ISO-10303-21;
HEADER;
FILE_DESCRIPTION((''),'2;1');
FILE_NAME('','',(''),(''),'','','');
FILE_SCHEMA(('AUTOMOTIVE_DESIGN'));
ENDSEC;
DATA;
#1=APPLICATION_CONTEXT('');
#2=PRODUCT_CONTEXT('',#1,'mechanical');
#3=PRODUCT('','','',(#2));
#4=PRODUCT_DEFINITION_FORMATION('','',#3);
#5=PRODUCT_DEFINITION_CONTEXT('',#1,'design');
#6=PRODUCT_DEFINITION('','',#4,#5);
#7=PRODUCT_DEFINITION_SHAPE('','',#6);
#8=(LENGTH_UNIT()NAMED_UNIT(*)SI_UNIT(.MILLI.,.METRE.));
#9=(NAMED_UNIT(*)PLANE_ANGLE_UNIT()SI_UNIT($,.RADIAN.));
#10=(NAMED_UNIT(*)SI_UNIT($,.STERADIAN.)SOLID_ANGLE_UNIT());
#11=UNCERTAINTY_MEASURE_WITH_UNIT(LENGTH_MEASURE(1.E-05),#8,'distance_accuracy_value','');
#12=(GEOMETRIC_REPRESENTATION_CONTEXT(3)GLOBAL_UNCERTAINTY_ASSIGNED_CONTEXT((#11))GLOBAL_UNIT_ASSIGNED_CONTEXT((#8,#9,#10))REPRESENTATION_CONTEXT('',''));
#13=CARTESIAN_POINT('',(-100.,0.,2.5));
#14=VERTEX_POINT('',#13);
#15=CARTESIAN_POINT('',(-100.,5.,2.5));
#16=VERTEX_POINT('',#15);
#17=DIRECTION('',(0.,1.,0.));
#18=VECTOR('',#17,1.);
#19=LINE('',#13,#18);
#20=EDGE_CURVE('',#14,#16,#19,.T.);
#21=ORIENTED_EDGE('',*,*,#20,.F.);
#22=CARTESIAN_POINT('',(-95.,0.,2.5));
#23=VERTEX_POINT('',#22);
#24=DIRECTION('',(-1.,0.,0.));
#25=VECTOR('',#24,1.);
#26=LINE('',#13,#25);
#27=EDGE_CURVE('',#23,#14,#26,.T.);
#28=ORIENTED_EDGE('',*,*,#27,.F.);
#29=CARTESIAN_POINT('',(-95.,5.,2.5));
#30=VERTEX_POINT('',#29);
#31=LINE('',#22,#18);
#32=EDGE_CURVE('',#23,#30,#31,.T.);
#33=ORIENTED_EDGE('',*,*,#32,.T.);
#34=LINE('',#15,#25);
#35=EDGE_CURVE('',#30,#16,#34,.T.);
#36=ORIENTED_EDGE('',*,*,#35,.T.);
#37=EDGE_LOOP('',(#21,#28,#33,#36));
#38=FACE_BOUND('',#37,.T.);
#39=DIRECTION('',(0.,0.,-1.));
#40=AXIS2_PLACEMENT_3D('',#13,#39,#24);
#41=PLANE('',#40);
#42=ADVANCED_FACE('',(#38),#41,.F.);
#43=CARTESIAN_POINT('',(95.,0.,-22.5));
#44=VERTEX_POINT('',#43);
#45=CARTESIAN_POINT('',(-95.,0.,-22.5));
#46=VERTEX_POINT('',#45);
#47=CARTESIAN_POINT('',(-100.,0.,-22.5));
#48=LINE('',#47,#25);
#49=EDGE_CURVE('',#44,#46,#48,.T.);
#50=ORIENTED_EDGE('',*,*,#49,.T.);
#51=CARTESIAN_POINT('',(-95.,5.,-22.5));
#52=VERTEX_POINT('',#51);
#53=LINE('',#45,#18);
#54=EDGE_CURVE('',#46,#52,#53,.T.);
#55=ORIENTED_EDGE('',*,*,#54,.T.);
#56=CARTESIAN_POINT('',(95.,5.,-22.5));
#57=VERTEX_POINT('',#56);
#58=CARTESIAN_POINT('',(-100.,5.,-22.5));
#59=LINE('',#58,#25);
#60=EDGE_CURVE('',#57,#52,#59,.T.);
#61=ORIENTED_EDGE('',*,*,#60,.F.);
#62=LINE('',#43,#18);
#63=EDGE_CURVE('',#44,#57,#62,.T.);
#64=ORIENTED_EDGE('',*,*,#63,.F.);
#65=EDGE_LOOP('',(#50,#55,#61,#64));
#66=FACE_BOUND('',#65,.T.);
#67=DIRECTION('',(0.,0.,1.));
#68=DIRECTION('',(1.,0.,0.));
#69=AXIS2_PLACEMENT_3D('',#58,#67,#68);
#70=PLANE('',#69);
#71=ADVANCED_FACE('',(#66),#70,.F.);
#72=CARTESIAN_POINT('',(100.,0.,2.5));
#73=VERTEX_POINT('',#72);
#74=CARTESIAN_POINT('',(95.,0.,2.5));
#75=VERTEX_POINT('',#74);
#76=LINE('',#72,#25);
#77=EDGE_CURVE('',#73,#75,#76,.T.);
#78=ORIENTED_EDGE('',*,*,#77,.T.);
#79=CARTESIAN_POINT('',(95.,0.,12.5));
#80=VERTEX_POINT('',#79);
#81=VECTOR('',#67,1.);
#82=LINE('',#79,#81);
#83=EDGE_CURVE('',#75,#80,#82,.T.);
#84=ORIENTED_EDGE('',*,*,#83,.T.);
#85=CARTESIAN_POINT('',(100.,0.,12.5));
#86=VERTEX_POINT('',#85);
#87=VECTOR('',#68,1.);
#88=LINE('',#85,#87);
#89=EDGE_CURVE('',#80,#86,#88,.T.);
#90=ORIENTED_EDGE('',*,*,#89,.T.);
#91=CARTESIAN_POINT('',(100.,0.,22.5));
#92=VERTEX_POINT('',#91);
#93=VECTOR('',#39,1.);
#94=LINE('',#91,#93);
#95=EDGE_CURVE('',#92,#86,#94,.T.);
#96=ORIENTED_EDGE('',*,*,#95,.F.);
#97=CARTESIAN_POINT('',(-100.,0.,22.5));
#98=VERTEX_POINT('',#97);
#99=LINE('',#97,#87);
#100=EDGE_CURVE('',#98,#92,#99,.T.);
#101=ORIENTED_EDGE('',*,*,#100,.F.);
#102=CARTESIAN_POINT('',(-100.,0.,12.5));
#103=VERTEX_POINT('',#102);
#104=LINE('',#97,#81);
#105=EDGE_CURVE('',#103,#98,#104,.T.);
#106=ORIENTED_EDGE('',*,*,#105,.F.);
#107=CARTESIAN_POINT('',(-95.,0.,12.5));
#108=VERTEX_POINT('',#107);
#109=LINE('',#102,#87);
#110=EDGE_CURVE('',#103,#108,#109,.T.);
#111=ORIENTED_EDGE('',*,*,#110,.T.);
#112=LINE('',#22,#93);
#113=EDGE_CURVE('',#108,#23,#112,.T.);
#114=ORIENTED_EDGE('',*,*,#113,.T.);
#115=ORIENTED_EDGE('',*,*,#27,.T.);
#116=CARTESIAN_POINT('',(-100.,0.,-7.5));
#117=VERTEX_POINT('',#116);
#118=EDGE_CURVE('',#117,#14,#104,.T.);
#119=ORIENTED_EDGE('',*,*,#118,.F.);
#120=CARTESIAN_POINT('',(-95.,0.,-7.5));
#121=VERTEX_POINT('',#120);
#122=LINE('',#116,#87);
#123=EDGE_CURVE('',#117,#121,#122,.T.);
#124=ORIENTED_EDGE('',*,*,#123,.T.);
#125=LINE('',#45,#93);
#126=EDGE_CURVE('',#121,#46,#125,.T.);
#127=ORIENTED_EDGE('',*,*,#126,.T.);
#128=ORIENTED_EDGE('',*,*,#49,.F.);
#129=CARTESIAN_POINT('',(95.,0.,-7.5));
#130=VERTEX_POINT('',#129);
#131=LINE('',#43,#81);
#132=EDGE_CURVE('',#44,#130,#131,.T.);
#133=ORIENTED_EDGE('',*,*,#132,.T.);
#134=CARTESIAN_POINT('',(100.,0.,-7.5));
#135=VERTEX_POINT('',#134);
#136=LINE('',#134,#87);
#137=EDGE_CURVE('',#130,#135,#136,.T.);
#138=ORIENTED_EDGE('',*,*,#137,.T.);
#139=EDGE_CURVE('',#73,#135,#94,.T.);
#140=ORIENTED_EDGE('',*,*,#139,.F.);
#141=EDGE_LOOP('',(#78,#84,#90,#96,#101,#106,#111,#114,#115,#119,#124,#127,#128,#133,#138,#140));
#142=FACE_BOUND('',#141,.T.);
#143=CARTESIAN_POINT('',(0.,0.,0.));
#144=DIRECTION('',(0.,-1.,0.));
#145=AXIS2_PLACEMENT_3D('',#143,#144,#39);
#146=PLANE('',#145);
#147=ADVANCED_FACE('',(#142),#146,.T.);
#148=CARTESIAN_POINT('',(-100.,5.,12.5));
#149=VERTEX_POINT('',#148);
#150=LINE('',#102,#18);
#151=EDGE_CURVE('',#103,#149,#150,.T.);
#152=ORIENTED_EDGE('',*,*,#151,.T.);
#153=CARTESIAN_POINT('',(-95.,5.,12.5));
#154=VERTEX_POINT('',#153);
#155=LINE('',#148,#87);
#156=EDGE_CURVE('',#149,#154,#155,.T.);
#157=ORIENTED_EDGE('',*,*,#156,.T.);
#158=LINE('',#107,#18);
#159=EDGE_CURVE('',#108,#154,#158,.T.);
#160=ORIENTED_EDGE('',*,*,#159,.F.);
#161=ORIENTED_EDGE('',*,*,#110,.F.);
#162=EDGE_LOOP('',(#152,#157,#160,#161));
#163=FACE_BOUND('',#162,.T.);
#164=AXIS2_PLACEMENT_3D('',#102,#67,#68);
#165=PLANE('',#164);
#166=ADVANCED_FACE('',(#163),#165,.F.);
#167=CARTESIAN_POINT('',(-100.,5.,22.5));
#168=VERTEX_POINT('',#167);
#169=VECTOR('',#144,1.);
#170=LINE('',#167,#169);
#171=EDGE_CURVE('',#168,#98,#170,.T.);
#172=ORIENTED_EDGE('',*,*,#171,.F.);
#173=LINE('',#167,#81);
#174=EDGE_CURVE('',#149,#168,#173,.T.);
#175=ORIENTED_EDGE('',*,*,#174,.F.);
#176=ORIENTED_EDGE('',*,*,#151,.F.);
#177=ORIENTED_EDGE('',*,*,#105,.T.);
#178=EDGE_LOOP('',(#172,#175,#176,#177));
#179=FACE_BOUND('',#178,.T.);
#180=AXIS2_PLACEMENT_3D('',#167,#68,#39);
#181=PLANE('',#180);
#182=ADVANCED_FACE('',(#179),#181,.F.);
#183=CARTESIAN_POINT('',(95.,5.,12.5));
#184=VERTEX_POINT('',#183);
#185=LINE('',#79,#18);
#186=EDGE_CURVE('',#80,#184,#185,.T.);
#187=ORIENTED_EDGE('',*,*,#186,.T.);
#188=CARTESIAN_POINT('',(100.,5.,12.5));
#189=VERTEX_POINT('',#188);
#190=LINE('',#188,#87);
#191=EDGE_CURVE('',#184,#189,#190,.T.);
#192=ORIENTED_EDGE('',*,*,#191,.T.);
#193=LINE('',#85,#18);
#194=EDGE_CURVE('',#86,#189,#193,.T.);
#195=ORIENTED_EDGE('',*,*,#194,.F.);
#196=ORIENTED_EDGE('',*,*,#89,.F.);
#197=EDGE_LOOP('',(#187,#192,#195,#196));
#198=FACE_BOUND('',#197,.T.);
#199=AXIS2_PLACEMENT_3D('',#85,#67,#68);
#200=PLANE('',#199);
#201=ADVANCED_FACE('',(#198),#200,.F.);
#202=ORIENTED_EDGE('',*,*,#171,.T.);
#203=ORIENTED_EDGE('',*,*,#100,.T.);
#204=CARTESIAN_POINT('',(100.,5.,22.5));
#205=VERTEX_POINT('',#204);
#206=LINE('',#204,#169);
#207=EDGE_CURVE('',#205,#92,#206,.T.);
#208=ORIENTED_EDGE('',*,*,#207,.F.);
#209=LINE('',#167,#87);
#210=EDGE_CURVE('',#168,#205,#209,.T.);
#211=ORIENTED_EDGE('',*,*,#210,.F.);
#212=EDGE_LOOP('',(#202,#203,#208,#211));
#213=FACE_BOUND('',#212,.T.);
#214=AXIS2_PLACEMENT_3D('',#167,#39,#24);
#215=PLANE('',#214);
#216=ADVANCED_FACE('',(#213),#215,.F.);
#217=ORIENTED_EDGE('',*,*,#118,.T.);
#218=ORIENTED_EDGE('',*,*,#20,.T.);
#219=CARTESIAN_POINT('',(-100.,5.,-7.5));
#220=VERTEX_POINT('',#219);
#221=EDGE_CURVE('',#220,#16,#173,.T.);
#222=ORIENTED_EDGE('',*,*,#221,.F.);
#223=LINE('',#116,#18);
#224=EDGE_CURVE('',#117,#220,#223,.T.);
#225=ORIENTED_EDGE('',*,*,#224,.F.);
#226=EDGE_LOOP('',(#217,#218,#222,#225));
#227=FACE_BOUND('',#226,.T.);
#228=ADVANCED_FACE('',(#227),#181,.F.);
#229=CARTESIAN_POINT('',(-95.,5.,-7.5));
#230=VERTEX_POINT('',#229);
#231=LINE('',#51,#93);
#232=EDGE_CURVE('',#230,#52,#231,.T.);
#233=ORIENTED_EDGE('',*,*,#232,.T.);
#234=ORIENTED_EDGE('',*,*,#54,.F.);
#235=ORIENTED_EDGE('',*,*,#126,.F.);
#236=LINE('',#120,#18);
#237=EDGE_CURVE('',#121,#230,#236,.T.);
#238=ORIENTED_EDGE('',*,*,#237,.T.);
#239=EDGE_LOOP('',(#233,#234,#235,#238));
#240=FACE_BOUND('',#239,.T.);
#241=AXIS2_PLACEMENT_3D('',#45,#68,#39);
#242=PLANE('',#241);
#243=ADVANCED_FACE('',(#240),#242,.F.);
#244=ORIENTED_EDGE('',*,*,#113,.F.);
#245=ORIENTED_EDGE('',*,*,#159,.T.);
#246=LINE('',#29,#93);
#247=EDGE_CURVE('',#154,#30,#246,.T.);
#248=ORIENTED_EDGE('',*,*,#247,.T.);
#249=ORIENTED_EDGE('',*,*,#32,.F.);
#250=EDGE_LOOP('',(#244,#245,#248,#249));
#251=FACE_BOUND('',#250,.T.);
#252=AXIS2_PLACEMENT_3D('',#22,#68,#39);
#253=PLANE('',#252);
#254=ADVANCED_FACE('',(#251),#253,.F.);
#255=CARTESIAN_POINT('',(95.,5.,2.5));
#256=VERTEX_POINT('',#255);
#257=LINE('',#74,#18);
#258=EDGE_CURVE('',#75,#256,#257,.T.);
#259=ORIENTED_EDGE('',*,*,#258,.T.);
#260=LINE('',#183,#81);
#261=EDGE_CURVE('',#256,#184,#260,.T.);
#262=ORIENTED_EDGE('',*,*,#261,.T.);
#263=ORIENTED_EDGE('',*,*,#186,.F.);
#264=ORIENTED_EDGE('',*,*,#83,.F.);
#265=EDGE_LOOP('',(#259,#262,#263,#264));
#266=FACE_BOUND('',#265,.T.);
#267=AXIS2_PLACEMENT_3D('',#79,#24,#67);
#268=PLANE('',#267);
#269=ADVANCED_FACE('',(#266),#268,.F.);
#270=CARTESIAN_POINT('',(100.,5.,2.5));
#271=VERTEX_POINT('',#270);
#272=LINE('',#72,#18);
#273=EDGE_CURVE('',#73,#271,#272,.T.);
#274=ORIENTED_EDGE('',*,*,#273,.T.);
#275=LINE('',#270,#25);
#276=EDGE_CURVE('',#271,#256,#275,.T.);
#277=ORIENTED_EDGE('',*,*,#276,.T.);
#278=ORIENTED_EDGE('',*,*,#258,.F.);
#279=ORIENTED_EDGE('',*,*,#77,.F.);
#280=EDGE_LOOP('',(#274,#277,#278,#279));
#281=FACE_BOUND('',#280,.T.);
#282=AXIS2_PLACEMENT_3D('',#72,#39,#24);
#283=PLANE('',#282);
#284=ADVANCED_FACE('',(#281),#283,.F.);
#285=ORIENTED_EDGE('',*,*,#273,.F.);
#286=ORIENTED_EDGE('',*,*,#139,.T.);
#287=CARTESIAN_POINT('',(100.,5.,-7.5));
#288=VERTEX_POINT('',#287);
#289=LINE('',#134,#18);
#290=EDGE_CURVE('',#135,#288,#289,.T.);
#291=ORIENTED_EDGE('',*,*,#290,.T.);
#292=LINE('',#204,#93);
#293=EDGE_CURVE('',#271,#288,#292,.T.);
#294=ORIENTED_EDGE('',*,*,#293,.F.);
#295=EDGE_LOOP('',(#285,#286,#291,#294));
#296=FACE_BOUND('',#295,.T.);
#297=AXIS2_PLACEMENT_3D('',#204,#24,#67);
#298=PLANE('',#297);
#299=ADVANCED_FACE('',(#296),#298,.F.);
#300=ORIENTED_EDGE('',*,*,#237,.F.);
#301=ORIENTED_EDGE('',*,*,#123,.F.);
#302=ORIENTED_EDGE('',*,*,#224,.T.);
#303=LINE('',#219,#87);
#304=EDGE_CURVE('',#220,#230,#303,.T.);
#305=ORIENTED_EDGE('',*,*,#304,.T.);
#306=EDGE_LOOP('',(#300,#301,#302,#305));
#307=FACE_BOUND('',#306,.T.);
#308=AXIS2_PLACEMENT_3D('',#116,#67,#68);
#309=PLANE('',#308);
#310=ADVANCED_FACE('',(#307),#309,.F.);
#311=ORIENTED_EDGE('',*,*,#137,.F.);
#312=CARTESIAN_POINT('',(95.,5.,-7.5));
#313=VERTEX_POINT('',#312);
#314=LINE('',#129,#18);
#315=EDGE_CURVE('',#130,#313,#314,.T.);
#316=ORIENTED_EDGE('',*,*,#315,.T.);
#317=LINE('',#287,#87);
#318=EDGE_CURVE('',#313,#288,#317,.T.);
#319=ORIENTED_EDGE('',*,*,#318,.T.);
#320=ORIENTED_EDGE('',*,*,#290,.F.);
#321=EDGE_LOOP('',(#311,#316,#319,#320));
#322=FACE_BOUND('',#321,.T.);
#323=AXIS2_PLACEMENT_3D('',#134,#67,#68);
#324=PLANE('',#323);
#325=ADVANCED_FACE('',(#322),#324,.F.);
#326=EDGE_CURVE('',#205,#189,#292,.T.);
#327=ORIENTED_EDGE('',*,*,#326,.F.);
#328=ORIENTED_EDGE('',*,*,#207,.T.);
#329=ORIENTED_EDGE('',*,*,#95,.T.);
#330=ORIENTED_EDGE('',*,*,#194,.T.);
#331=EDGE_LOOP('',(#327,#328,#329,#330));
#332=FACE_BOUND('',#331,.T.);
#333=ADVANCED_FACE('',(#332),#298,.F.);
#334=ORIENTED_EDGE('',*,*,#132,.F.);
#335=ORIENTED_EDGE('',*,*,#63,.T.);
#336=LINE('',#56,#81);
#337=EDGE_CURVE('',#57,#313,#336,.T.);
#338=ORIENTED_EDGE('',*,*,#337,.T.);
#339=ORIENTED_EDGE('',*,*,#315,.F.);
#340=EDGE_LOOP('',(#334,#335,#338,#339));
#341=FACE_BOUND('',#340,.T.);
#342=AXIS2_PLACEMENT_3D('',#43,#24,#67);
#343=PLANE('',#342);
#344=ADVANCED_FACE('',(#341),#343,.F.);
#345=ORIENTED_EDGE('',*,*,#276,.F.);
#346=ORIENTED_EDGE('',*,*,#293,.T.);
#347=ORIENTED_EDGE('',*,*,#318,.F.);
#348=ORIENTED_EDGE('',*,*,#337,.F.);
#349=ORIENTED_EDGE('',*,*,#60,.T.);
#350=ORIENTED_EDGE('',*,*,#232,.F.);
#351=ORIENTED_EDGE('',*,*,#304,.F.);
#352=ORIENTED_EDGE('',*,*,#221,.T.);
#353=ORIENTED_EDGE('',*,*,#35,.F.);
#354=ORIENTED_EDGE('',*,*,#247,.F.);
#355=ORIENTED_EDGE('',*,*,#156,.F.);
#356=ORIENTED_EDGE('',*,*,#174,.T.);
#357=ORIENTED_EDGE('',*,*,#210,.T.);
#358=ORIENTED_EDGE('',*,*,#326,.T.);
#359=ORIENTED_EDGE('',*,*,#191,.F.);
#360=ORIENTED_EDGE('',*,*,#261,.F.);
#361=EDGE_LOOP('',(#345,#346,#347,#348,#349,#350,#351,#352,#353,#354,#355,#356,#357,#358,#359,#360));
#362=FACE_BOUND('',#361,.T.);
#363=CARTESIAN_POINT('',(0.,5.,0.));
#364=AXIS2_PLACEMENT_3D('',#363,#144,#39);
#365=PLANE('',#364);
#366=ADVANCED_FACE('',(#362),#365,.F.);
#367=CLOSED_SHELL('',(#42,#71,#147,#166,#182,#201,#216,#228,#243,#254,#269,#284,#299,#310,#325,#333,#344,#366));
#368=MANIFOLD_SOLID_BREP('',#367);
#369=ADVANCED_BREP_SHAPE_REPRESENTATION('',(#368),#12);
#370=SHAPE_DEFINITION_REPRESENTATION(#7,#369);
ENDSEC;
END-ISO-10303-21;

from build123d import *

# Parameters (mm, degrees)
SKETCH_1_W          = 200
SKETCH_1_H          = 45
EXTRUDE_1_DEPTH     = 5
SKETCH_2_W          = 5
SKETCH_2_H          = 15
SKETCH_2_H_2        = 10
CUT_EXTRUDE_1_DEPTH = 6


with BuildPart() as part:
    # 草图1 → 凸台-拉伸1 (new body)
    with BuildSketch(Plane(origin=(0, 0, 0), x_dir=(1, 0, 0), z_dir=(0, 1, 0))):
        Rectangle(SKETCH_1_W, SKETCH_1_H)
    extrude(amount=EXTRUDE_1_DEPTH)

    # 草图2 → 切除-拉伸1 (cut, through all)
    with BuildSketch(Plane(origin=(0, 5, 0), x_dir=(1, 0, 0), z_dir=(0, 1, 0))):
        with Locations((-97.5, 15)):
            Rectangle(SKETCH_2_W, SKETCH_2_H)
        with Locations((-97.5, -7.5)):
            Rectangle(SKETCH_2_W, SKETCH_2_H_2)
        with Locations((97.5, 15)):
            Rectangle(SKETCH_2_W, SKETCH_2_H)
        with Locations((97.5, -7.5)):
            Rectangle(SKETCH_2_W, SKETCH_2_H_2)
    extrude(amount=-CUT_EXTRUDE_1_DEPTH, mode=Mode.SUBTRACT)


solid = part.part
